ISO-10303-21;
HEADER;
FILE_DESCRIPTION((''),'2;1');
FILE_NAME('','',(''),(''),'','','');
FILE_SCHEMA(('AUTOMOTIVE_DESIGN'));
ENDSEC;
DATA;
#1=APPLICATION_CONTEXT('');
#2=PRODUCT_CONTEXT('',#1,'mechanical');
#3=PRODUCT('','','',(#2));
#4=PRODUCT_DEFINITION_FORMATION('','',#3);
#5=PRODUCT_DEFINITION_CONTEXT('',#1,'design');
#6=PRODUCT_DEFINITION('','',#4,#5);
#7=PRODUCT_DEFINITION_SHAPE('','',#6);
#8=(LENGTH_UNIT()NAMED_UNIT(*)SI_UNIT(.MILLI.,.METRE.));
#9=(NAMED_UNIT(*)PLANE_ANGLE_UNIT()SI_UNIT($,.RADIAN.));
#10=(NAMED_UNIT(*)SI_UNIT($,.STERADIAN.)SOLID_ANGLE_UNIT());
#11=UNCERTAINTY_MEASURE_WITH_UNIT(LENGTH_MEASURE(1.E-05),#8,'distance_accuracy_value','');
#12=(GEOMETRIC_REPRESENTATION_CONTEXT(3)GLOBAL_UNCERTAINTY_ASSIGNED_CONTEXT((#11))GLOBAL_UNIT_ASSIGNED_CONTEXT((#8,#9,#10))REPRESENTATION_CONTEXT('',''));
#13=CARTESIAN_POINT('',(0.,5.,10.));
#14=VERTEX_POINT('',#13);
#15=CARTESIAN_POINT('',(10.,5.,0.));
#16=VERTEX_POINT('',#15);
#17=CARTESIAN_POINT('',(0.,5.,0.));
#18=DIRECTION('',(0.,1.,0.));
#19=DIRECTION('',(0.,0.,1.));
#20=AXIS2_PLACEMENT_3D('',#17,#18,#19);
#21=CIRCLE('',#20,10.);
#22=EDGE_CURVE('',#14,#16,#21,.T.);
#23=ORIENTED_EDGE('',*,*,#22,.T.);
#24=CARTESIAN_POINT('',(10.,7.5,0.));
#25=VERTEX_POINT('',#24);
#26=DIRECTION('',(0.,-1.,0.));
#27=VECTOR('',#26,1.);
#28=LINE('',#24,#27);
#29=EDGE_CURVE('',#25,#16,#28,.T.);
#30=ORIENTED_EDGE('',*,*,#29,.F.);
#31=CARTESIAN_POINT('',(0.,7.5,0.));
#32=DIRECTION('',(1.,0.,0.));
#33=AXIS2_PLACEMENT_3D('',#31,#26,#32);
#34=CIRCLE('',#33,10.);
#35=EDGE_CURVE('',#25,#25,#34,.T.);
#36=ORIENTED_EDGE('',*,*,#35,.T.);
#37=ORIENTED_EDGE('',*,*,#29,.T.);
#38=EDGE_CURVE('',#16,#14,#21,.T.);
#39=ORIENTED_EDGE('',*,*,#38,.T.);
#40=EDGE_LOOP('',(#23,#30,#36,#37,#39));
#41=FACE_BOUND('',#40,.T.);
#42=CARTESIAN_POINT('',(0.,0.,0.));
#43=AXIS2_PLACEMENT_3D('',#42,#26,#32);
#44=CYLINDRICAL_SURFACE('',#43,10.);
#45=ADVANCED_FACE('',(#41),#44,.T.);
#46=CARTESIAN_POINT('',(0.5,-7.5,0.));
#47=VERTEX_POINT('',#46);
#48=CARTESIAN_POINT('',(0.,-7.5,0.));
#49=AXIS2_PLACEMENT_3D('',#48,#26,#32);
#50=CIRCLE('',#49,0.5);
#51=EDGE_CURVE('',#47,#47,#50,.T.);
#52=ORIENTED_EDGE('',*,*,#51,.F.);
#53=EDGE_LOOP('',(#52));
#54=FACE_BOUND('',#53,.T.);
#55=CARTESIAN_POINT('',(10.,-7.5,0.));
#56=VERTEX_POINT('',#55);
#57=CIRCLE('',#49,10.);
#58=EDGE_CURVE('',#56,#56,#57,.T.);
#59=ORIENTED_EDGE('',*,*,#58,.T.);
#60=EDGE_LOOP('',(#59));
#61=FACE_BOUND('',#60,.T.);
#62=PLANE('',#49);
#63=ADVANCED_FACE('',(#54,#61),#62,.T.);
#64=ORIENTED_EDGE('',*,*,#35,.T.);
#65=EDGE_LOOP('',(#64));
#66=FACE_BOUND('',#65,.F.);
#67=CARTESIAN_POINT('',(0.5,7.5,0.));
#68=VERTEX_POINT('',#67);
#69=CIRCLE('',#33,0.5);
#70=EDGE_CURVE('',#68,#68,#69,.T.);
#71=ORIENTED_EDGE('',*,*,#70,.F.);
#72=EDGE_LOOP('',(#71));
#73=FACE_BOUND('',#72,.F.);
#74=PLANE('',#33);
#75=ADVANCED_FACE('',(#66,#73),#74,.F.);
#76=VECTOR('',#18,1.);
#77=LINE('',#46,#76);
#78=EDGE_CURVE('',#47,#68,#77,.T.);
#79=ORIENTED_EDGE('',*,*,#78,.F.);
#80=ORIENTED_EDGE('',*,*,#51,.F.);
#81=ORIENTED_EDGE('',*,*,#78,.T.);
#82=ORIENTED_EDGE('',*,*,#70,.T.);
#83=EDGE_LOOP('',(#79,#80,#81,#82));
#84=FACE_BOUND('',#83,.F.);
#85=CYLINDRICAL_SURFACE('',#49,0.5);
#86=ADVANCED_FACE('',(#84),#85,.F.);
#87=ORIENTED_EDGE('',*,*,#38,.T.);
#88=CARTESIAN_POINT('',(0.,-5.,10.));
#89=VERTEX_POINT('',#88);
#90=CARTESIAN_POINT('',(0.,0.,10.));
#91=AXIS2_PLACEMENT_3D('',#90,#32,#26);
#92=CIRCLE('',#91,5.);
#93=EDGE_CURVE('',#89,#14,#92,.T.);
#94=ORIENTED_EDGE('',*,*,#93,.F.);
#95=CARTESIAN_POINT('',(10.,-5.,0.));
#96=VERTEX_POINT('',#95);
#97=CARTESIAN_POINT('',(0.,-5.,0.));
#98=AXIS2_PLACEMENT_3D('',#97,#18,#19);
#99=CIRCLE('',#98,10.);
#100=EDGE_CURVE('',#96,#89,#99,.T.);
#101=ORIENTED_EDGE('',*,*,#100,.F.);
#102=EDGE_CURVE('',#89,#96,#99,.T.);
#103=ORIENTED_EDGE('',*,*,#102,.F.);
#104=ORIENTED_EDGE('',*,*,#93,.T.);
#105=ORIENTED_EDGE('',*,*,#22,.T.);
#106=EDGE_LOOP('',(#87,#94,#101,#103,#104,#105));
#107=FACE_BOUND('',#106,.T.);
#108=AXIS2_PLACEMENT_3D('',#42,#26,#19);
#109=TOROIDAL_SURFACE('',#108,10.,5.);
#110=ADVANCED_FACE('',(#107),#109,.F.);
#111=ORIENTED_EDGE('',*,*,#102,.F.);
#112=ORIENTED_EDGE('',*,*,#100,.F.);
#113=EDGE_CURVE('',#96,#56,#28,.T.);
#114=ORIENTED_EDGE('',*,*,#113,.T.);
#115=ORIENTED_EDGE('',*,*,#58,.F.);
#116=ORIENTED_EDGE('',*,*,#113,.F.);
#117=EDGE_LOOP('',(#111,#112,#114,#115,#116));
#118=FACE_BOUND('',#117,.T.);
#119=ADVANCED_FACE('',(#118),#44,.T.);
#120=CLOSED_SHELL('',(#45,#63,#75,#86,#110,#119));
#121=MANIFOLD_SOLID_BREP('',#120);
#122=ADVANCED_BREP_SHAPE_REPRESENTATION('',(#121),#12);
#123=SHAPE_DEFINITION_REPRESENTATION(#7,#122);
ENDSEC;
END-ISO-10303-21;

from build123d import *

# Parameters (mm, degrees)
F0_R     = 10
F1_DEPTH = 7.5
F5_R     = 0.5
F6_DEPTH = 15.001


with BuildPart() as f1:
    # F0 (on Front) → F1 (new body, symmetric)
    with BuildSketch(Plane.XZ):
        Circle(F0_R)
    extrude(amount=F1_DEPTH, both=True)

    # F2 (on Right) → F4 (revolve, cut)
    with BuildSketch(Plane.YZ):
        with BuildLine():
            Line((5, 10), (-5, 10))
            ThreePointArc((-5, 10), (0, 5), (5, 10))
        make_face()
    revolve(axis=Axis((0, -5.833439, 0), (0, 1, 0)), mode=Mode.SUBTRACT)

    # F5 (on face) → F6 (cut, through all)
    with BuildSketch(Plane.XZ.offset(7.5)):
        Circle(F5_R)
    extrude(amount=-F6_DEPTH, mode=Mode.SUBTRACT)


solid = f1.part
